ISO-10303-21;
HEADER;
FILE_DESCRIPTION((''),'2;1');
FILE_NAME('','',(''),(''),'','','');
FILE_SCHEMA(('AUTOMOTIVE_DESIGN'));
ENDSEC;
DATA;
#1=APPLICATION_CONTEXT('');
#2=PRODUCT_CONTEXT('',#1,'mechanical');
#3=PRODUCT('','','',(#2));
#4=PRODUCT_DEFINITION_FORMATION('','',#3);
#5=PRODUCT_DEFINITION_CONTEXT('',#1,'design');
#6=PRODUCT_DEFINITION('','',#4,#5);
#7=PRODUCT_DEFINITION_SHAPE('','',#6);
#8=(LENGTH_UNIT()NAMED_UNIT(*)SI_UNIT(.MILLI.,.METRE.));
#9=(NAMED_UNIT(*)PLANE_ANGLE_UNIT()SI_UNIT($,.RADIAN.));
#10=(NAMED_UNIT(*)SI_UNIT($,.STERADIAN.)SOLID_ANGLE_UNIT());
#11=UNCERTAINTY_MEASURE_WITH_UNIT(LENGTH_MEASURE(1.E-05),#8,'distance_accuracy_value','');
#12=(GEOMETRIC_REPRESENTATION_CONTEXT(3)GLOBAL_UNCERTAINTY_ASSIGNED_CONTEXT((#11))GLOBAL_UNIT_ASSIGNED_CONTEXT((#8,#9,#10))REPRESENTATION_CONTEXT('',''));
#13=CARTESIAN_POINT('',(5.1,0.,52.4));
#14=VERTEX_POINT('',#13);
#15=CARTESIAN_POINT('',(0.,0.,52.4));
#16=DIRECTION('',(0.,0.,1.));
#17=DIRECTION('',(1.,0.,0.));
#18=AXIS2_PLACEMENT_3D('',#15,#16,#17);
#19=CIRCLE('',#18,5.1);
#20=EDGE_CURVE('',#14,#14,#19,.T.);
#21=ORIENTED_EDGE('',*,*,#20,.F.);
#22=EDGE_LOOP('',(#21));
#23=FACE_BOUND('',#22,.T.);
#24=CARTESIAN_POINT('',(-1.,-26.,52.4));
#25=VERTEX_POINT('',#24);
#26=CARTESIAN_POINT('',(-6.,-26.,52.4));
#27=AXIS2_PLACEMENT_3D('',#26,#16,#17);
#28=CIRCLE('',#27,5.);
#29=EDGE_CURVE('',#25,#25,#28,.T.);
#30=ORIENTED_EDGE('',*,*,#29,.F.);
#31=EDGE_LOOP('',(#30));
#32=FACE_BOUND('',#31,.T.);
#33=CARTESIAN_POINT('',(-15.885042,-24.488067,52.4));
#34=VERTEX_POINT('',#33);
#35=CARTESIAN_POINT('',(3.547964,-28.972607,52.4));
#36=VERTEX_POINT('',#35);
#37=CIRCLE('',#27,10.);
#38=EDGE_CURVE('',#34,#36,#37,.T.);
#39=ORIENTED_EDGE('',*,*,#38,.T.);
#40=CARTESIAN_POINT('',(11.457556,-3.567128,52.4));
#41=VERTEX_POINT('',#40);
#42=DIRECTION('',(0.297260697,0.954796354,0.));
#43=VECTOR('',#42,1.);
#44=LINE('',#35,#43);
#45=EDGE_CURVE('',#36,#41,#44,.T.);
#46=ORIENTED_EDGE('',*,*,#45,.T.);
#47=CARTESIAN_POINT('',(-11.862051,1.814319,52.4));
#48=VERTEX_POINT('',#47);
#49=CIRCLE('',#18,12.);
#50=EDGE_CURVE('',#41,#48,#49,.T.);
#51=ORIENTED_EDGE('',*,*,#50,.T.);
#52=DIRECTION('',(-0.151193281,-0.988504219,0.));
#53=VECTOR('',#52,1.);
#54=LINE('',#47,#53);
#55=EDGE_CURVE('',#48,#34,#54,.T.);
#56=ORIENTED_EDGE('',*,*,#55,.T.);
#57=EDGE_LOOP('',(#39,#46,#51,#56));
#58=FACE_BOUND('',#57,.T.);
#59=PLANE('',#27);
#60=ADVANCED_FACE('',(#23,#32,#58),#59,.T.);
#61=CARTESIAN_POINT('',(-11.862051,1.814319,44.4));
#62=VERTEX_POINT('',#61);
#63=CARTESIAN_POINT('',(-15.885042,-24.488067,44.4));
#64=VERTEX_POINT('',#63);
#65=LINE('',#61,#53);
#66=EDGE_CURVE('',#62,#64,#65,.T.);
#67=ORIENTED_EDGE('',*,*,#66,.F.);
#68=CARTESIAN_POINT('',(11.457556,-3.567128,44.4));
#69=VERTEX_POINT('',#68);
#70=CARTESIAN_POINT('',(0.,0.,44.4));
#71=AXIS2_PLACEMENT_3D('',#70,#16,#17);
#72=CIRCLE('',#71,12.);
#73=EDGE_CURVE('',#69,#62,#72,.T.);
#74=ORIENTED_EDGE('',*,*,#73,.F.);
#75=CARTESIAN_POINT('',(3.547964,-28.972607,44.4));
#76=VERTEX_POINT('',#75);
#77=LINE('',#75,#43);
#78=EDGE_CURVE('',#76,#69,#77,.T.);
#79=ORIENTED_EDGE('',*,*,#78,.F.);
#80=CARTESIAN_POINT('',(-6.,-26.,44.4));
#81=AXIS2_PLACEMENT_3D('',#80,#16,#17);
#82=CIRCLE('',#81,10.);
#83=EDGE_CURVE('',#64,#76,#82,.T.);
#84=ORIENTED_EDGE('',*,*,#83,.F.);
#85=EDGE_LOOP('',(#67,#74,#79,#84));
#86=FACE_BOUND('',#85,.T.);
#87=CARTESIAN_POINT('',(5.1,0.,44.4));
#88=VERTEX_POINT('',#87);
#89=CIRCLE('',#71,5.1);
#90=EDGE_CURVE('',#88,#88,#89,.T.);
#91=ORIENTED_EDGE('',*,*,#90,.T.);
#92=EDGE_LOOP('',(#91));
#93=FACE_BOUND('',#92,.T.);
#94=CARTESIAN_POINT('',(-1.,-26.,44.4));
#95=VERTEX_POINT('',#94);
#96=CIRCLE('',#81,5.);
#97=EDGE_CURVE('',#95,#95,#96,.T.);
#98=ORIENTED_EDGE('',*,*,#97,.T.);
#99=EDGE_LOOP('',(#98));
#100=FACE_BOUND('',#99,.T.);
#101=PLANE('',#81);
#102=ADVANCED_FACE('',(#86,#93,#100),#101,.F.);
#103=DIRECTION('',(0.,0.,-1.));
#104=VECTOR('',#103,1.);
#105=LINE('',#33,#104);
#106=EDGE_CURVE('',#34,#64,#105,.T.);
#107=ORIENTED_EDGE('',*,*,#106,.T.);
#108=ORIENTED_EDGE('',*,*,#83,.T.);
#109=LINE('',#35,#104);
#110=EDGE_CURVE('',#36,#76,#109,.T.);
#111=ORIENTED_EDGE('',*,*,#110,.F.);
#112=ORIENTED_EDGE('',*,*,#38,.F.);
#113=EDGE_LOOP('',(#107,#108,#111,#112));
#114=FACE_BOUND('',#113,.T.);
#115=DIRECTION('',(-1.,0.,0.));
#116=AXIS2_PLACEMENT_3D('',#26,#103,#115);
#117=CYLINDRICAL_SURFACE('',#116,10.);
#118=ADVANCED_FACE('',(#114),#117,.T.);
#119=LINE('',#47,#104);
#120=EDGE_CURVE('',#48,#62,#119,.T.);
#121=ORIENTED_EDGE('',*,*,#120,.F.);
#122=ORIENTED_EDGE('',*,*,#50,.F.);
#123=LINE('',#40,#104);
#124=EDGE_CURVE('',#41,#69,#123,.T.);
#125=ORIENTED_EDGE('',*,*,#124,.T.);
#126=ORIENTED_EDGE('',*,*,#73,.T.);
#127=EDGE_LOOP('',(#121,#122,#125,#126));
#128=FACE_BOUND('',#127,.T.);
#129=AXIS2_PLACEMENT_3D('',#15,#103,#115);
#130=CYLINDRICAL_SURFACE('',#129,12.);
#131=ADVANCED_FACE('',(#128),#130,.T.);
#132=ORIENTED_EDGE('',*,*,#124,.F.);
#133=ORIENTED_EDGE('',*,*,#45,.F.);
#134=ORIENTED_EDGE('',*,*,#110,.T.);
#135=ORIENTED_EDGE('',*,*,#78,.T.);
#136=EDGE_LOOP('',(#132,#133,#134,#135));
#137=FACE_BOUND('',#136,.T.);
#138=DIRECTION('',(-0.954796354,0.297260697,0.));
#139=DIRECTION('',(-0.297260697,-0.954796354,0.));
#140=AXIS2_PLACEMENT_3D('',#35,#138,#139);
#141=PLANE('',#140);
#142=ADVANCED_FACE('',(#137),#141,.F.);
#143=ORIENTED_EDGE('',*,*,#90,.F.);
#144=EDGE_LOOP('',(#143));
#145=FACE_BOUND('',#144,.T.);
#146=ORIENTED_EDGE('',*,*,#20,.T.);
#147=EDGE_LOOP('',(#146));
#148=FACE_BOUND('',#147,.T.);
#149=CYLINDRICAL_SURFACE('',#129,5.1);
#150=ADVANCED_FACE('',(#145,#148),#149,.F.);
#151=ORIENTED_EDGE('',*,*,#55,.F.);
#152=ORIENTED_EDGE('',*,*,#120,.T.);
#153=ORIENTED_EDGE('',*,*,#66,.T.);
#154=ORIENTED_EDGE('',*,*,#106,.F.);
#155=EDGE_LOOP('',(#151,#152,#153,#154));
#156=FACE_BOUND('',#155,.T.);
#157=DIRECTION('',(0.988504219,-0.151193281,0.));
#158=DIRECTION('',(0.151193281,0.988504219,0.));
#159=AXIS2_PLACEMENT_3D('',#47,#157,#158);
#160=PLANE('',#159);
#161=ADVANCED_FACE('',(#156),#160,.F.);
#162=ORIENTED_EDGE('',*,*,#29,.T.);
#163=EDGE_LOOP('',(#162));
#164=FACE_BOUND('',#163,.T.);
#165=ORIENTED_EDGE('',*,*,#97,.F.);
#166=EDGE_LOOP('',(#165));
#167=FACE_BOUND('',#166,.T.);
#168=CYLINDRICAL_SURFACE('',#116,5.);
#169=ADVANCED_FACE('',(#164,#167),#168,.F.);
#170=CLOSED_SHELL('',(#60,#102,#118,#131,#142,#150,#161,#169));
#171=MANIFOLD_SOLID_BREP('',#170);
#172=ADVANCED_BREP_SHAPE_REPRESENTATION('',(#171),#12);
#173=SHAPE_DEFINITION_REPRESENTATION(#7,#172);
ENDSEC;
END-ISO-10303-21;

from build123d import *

# Parameters (mm, degrees)
SK_PATILLA_R   = 5.1
SK_PATILLA_R_2 = 5
PATILLA_DEPTH  = 8


with BuildPart() as part:
    # Sk_Patilla → Patilla (new body)
    with BuildSketch(Plane.XY.offset(44.4)):
        with BuildLine():
            Line((3.547963542, -28.972606971), (11.45755625, -3.567128365))
            ThreePointArc((11.45755625, -3.567128365), (2.69831408, 11.692694348), (-11.862050632, 1.814319377))
            Line((-11.862050632, 1.814319377), (-15.885042193, -24.488067186))
            ThreePointArc((-15.885042193, -24.488067186), (-8.248595067, -35.743911957), (3.547963542, -28.972606971))
        make_face()
        Circle(SK_PATILLA_R, mode=Mode.SUBTRACT)
        with Locations((-6, -26)):
            Circle(SK_PATILLA_R_2, mode=Mode.SUBTRACT)
    extrude(amount=PATILLA_DEPTH)


solid = part.part
